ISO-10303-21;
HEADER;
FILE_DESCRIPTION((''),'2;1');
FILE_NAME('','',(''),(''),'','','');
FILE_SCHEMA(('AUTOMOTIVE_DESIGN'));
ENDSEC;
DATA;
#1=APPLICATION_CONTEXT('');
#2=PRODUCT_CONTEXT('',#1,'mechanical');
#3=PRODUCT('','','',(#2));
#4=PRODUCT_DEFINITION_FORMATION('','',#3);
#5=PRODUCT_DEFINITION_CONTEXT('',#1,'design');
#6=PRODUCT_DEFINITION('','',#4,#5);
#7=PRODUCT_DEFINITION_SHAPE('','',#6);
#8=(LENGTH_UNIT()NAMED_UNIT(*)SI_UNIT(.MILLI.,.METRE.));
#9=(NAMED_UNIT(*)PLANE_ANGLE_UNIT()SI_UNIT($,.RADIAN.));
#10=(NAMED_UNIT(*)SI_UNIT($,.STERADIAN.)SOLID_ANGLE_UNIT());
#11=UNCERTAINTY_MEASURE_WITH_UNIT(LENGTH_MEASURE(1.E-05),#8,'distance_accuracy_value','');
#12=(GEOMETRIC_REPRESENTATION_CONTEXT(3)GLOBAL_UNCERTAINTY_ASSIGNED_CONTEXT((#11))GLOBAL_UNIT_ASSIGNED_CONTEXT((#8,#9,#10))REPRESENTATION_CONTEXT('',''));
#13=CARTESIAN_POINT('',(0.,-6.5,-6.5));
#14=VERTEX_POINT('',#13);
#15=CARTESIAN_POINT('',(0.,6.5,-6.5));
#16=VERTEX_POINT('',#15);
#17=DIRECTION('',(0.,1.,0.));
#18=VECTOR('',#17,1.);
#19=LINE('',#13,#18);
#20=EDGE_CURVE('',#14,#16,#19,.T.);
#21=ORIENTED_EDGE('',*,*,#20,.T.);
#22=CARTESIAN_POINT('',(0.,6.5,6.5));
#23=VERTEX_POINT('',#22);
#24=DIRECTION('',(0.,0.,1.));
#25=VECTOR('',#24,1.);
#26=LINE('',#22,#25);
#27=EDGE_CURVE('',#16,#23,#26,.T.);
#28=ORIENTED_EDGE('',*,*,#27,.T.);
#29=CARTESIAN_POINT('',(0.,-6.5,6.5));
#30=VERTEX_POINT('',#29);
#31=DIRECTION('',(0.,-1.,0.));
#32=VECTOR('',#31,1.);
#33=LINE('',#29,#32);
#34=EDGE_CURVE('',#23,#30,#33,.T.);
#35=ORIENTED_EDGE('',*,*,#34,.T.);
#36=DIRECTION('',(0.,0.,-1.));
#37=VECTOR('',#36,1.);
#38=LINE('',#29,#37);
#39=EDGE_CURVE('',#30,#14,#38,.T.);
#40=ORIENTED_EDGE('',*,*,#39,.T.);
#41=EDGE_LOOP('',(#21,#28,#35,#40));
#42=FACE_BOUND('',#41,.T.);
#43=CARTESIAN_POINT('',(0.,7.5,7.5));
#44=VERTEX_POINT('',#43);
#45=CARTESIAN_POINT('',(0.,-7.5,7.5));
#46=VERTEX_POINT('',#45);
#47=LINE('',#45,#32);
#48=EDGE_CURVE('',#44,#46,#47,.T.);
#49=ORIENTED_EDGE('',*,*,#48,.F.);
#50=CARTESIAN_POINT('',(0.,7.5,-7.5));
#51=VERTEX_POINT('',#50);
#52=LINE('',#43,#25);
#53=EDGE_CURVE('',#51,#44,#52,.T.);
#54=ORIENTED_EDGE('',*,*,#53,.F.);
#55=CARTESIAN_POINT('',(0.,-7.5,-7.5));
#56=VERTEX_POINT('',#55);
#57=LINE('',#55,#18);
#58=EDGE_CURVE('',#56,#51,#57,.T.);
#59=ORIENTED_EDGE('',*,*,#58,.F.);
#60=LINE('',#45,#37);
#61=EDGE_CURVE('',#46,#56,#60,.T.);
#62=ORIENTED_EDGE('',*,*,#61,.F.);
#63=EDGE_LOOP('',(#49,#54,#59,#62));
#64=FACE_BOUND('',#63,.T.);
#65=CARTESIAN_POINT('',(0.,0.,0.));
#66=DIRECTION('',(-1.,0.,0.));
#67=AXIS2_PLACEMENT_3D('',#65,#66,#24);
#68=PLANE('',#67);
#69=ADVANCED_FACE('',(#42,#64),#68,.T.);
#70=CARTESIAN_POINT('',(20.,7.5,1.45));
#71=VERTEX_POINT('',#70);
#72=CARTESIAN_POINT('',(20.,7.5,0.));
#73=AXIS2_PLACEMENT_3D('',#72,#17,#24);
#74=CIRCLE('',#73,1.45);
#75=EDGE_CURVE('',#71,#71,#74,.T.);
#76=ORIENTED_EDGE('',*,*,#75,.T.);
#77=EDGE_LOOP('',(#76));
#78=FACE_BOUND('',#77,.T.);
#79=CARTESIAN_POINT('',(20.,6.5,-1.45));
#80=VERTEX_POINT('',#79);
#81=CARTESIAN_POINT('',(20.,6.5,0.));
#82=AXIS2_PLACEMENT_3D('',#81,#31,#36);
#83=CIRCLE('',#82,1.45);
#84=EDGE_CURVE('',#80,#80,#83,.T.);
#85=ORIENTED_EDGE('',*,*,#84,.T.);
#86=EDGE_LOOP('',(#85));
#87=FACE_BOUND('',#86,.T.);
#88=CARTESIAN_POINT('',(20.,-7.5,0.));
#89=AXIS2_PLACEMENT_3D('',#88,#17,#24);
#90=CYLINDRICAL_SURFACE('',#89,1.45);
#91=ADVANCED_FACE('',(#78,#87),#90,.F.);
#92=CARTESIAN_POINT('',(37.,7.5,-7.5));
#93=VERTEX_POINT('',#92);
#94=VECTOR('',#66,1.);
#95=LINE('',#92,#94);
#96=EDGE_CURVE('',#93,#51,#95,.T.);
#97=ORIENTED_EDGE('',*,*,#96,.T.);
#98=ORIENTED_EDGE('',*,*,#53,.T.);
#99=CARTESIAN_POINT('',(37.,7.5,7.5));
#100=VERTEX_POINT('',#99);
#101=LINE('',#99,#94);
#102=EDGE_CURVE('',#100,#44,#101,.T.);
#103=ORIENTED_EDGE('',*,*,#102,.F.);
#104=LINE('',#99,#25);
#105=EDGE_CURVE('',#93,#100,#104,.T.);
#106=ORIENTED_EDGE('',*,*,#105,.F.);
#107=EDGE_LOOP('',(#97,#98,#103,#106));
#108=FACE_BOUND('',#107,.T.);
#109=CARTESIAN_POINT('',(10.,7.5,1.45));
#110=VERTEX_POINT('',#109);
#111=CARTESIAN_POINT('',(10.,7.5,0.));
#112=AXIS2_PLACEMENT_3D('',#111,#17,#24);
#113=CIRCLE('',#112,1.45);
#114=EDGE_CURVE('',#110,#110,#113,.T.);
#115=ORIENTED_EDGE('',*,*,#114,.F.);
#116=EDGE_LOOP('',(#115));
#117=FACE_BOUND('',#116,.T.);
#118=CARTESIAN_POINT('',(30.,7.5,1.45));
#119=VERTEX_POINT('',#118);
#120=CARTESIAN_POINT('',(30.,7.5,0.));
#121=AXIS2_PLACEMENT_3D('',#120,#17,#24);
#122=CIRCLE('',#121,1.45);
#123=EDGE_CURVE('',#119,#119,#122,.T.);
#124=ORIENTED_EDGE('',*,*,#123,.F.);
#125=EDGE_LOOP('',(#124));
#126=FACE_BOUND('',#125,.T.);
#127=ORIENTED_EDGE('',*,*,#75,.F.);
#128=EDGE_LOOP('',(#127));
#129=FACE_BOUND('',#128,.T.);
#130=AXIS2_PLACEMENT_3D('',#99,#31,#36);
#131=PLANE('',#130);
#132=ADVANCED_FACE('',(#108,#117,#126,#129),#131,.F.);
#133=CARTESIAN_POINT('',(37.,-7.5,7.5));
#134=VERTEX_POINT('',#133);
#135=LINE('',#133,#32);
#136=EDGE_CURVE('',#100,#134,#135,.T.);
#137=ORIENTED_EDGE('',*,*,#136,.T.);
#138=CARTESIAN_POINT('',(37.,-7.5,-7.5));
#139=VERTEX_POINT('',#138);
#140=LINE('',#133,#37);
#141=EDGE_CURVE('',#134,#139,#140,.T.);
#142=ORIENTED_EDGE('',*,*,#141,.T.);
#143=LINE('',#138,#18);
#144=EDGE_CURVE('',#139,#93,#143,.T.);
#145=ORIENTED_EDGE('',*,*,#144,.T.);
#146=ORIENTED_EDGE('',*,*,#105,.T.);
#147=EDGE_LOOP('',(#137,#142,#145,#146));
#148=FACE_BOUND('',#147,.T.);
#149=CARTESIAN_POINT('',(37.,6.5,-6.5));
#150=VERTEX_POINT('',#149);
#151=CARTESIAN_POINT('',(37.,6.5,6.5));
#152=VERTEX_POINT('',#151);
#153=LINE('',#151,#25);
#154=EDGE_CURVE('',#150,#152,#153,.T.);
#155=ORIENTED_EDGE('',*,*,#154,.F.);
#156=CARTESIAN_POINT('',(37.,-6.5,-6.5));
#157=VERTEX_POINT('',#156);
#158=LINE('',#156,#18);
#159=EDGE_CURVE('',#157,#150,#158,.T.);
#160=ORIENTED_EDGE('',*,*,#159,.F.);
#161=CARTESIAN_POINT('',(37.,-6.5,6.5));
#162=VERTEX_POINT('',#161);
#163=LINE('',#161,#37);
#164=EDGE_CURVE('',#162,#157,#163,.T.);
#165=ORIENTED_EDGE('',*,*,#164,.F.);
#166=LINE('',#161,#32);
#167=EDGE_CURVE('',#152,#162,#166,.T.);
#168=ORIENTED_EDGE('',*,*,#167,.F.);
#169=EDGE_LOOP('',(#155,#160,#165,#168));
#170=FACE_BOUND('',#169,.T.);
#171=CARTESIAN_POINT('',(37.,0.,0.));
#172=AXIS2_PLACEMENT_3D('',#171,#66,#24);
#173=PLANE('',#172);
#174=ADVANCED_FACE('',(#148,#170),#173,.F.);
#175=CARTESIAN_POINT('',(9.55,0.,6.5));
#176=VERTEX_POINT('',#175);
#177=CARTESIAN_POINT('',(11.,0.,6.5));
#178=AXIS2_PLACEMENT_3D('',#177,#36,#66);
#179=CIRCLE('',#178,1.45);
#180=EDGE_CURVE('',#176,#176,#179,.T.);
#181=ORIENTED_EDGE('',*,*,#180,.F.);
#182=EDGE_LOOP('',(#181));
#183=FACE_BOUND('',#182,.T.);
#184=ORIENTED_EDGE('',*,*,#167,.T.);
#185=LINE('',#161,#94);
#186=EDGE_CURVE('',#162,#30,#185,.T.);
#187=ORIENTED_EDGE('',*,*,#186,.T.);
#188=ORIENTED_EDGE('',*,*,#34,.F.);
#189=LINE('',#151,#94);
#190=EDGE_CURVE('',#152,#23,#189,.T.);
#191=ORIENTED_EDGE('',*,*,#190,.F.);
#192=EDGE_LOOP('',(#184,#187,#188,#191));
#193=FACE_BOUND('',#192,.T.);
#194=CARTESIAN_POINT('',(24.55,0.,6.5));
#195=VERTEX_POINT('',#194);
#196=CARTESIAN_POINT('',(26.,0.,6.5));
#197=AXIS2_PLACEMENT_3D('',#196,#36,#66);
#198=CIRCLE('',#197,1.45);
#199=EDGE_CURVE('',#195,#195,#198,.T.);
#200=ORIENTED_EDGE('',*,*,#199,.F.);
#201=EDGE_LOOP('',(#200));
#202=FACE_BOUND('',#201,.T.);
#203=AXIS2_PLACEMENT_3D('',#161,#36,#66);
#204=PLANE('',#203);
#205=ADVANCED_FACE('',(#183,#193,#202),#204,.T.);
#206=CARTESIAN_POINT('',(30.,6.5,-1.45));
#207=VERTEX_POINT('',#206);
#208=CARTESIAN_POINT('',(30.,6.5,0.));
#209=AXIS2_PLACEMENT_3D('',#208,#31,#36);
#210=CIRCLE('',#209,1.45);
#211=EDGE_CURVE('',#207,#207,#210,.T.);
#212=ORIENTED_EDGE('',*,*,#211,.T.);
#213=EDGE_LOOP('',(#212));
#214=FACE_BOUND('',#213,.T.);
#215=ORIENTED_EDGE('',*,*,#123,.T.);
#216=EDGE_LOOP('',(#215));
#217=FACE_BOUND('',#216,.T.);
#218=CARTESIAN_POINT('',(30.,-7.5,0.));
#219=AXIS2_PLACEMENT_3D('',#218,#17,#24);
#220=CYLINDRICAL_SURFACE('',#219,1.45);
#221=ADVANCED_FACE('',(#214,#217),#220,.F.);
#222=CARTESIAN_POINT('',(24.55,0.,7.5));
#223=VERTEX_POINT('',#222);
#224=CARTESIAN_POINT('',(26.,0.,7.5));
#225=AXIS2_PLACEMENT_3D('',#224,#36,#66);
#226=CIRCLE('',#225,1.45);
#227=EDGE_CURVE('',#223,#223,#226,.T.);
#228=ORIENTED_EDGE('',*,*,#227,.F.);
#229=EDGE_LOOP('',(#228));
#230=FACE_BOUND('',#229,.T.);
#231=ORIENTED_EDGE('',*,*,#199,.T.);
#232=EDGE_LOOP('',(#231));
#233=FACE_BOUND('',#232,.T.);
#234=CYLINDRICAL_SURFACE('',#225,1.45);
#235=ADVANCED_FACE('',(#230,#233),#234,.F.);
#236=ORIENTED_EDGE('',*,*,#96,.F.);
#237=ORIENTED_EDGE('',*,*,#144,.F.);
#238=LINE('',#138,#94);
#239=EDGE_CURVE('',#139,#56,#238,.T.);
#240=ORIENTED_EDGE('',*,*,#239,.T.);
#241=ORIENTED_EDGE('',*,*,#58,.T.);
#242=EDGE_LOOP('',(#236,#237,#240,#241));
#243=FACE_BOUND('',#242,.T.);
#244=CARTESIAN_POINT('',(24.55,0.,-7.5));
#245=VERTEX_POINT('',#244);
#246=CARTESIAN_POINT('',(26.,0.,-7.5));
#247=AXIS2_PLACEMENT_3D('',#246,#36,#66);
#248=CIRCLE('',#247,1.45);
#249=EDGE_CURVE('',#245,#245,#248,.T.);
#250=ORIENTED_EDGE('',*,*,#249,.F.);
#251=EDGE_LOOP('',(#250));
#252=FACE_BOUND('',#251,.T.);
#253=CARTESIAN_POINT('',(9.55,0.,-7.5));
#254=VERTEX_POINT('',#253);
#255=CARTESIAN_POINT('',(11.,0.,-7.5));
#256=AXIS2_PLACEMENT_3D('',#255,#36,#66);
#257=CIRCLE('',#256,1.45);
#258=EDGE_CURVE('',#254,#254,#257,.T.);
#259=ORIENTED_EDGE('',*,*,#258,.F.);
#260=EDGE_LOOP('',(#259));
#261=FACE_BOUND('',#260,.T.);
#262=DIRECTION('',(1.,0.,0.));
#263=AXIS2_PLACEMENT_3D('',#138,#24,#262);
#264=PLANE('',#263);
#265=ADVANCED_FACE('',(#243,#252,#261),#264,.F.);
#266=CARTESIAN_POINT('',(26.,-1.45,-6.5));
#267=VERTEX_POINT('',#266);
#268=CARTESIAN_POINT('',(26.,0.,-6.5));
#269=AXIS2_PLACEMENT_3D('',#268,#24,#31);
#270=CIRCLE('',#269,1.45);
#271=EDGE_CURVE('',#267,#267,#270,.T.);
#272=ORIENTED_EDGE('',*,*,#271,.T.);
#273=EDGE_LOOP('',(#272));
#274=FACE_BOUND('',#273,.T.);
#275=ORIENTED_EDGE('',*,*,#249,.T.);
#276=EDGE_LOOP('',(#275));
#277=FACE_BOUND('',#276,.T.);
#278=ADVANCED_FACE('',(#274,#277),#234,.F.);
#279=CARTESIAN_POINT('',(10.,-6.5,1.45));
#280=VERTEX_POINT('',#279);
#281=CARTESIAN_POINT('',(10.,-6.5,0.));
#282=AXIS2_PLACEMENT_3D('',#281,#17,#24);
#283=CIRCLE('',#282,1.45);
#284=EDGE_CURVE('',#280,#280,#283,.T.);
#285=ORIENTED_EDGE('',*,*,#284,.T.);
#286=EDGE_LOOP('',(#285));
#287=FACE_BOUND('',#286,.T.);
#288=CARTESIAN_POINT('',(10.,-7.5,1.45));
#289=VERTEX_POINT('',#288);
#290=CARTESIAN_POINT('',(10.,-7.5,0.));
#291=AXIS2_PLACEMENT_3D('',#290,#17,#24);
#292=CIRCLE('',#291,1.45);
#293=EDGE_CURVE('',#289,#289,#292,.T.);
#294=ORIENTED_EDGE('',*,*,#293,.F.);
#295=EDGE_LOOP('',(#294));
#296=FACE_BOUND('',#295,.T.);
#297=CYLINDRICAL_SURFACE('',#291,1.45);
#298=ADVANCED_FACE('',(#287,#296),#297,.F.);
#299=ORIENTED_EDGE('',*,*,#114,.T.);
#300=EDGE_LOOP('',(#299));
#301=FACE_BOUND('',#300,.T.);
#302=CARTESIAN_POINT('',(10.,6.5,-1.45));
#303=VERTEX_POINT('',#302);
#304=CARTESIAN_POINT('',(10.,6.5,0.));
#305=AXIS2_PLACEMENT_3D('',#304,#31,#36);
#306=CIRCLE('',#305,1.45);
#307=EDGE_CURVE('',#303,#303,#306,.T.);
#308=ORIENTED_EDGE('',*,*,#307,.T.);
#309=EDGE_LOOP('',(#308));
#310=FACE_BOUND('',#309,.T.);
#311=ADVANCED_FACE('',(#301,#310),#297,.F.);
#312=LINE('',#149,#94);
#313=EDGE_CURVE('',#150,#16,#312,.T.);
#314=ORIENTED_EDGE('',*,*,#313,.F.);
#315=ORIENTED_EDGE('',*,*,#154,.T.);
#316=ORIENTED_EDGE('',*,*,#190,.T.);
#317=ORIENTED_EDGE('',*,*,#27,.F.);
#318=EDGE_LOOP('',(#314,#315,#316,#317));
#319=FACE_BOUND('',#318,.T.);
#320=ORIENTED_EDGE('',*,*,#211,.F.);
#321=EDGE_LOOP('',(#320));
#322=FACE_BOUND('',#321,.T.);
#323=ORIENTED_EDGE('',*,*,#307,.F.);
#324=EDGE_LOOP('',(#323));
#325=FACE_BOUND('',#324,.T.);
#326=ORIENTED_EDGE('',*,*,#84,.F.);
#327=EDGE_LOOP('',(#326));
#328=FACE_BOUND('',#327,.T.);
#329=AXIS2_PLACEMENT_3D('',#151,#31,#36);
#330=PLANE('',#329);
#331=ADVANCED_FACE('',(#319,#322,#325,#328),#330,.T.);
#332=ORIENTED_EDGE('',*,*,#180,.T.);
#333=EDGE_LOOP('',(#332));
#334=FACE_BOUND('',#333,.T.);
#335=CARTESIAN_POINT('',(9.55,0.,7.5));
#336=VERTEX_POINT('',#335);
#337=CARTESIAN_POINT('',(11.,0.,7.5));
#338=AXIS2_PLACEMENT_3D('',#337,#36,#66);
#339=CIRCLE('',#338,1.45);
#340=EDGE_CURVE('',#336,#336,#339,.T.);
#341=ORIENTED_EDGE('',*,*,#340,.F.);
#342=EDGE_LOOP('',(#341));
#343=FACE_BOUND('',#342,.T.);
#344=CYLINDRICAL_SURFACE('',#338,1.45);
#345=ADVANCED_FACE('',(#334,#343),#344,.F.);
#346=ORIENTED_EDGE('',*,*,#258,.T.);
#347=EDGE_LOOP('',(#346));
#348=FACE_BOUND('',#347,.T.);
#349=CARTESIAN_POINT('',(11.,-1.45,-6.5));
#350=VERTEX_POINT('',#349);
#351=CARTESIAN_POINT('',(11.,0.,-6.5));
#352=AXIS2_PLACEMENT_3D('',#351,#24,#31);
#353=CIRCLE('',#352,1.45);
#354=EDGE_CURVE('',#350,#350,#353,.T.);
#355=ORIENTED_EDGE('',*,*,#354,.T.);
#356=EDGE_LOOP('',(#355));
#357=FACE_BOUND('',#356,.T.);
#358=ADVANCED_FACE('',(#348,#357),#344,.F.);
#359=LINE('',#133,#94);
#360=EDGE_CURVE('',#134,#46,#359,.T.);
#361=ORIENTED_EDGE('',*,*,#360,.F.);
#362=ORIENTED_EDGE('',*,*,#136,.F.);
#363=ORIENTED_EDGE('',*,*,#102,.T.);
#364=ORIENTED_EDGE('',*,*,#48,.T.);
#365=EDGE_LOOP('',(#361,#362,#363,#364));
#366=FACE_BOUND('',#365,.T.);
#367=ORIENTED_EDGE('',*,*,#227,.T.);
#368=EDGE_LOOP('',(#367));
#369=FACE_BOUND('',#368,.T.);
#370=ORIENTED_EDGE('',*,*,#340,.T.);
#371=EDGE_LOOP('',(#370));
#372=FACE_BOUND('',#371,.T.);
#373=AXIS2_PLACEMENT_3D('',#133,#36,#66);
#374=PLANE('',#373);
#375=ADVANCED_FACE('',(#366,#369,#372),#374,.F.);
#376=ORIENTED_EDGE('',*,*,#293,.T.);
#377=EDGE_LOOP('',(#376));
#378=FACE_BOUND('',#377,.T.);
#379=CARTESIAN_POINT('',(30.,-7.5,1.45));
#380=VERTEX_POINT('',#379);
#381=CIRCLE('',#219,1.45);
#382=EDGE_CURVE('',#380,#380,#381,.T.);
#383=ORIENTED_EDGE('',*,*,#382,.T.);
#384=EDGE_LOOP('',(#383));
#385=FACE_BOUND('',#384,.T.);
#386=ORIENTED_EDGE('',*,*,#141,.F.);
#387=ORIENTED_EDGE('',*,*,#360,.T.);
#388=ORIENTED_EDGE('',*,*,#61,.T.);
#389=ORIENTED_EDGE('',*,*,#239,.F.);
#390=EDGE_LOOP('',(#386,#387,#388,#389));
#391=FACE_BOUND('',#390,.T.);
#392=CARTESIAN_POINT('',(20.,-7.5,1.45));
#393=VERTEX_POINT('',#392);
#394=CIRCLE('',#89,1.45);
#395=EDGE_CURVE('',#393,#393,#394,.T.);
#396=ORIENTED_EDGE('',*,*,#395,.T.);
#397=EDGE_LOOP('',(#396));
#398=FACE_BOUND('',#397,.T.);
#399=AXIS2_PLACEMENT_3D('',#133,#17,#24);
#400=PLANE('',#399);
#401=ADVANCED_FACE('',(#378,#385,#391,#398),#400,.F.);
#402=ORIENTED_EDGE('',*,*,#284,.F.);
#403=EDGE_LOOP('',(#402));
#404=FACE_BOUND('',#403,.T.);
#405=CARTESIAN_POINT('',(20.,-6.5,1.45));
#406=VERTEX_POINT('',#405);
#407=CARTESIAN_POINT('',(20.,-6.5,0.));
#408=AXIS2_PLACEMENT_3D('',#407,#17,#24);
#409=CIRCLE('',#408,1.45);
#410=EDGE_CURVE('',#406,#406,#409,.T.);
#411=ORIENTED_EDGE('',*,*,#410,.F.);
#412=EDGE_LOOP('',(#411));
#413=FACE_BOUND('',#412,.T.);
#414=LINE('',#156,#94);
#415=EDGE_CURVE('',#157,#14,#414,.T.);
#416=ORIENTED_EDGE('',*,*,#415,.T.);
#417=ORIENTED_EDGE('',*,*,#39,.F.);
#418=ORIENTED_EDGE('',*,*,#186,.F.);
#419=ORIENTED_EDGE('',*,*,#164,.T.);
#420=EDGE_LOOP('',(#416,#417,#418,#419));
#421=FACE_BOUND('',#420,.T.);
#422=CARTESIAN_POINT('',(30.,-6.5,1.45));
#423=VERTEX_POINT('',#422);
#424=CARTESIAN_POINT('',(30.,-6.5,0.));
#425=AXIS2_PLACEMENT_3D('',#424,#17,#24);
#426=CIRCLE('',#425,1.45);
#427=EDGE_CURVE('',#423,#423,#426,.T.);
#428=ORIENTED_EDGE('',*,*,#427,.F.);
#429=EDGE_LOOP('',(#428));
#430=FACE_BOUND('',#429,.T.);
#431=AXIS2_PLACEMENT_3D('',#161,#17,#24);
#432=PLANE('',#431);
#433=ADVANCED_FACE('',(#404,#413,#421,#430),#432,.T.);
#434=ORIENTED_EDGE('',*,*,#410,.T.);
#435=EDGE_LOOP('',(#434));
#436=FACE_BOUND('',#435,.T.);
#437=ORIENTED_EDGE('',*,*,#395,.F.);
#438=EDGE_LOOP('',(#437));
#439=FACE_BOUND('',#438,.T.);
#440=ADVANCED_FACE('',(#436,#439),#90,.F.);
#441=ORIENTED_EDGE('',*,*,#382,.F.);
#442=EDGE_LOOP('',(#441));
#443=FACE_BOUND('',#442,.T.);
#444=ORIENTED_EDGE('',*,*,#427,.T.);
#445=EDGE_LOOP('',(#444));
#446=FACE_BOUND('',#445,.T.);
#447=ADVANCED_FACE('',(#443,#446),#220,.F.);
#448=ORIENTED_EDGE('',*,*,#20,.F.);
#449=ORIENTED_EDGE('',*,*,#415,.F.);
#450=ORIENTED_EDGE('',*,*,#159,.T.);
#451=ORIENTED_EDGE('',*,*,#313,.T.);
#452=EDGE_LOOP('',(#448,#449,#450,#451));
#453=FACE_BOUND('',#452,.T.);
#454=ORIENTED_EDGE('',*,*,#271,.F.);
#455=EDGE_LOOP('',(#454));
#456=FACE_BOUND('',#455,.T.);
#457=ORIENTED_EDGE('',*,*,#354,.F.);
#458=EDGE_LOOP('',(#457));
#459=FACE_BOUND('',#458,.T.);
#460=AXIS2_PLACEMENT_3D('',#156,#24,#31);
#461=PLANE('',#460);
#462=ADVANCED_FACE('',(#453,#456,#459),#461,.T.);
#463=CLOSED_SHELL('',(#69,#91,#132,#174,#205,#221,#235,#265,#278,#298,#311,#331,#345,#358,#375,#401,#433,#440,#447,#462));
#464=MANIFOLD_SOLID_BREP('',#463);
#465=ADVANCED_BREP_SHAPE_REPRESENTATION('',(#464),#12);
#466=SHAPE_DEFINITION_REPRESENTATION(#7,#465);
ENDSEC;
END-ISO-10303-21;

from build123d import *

# Parameters (mm, degrees)
SKETCH_1_W          = 15
SKETCH_1_H          = 15
SKETCH_1_W_2        = 13
SKETCH_1_H_2        = 13
EXTRUDE_1_DEPTH     = 37
SKETCH_2_R          = 1.45
CUT_EXTRUDE_1_DEPTH = 41.623269194
SKETCH_3_R          = 1.45
CUT_EXTRUDE_2_DEPTH = 41.623269194


with BuildPart() as part:
    # 草图1 → 凸台-拉伸1 (new body)
    with BuildSketch(Plane(origin=(0, 0, 0), x_dir=(0, 0, -1), z_dir=(1, 0, 0))):
        Rectangle(SKETCH_1_W, SKETCH_1_H)
        Rectangle(SKETCH_1_W_2, SKETCH_1_H_2, mode=Mode.SUBTRACT)
    extrude(amount=EXTRUDE_1_DEPTH)

    # 草图2 → 切除-拉伸1 (cut, through all)
    with BuildSketch(Plane(origin=(0, 0, -7.5), x_dir=(-1, 0, 0), z_dir=(0, 0, -1))):
        with Locations((-11, 0)):
            Circle(SKETCH_2_R)
        with Locations((-26, 0)):
            Circle(SKETCH_2_R)
    extrude(amount=-CUT_EXTRUDE_1_DEPTH, mode=Mode.SUBTRACT)

    # 草图3 → 切除-拉伸2 (cut, through all)
    with BuildSketch(Plane(origin=(0, 7.5, 0), x_dir=(1, 0, 0), z_dir=(0, 1, 0))):
        with Locations(Location((10, 0, 0), (0, 0, 270))):
            Circle(SKETCH_3_R)
        with Locations(Location((30, 0, 0), (0, 0, 270))):
            Circle(SKETCH_3_R)
        with Locations(Location((20, 0, 0), (0, 0, 270))):
            Circle(SKETCH_3_R)
    extrude(amount=-CUT_EXTRUDE_2_DEPTH, mode=Mode.SUBTRACT)


solid = part.part
